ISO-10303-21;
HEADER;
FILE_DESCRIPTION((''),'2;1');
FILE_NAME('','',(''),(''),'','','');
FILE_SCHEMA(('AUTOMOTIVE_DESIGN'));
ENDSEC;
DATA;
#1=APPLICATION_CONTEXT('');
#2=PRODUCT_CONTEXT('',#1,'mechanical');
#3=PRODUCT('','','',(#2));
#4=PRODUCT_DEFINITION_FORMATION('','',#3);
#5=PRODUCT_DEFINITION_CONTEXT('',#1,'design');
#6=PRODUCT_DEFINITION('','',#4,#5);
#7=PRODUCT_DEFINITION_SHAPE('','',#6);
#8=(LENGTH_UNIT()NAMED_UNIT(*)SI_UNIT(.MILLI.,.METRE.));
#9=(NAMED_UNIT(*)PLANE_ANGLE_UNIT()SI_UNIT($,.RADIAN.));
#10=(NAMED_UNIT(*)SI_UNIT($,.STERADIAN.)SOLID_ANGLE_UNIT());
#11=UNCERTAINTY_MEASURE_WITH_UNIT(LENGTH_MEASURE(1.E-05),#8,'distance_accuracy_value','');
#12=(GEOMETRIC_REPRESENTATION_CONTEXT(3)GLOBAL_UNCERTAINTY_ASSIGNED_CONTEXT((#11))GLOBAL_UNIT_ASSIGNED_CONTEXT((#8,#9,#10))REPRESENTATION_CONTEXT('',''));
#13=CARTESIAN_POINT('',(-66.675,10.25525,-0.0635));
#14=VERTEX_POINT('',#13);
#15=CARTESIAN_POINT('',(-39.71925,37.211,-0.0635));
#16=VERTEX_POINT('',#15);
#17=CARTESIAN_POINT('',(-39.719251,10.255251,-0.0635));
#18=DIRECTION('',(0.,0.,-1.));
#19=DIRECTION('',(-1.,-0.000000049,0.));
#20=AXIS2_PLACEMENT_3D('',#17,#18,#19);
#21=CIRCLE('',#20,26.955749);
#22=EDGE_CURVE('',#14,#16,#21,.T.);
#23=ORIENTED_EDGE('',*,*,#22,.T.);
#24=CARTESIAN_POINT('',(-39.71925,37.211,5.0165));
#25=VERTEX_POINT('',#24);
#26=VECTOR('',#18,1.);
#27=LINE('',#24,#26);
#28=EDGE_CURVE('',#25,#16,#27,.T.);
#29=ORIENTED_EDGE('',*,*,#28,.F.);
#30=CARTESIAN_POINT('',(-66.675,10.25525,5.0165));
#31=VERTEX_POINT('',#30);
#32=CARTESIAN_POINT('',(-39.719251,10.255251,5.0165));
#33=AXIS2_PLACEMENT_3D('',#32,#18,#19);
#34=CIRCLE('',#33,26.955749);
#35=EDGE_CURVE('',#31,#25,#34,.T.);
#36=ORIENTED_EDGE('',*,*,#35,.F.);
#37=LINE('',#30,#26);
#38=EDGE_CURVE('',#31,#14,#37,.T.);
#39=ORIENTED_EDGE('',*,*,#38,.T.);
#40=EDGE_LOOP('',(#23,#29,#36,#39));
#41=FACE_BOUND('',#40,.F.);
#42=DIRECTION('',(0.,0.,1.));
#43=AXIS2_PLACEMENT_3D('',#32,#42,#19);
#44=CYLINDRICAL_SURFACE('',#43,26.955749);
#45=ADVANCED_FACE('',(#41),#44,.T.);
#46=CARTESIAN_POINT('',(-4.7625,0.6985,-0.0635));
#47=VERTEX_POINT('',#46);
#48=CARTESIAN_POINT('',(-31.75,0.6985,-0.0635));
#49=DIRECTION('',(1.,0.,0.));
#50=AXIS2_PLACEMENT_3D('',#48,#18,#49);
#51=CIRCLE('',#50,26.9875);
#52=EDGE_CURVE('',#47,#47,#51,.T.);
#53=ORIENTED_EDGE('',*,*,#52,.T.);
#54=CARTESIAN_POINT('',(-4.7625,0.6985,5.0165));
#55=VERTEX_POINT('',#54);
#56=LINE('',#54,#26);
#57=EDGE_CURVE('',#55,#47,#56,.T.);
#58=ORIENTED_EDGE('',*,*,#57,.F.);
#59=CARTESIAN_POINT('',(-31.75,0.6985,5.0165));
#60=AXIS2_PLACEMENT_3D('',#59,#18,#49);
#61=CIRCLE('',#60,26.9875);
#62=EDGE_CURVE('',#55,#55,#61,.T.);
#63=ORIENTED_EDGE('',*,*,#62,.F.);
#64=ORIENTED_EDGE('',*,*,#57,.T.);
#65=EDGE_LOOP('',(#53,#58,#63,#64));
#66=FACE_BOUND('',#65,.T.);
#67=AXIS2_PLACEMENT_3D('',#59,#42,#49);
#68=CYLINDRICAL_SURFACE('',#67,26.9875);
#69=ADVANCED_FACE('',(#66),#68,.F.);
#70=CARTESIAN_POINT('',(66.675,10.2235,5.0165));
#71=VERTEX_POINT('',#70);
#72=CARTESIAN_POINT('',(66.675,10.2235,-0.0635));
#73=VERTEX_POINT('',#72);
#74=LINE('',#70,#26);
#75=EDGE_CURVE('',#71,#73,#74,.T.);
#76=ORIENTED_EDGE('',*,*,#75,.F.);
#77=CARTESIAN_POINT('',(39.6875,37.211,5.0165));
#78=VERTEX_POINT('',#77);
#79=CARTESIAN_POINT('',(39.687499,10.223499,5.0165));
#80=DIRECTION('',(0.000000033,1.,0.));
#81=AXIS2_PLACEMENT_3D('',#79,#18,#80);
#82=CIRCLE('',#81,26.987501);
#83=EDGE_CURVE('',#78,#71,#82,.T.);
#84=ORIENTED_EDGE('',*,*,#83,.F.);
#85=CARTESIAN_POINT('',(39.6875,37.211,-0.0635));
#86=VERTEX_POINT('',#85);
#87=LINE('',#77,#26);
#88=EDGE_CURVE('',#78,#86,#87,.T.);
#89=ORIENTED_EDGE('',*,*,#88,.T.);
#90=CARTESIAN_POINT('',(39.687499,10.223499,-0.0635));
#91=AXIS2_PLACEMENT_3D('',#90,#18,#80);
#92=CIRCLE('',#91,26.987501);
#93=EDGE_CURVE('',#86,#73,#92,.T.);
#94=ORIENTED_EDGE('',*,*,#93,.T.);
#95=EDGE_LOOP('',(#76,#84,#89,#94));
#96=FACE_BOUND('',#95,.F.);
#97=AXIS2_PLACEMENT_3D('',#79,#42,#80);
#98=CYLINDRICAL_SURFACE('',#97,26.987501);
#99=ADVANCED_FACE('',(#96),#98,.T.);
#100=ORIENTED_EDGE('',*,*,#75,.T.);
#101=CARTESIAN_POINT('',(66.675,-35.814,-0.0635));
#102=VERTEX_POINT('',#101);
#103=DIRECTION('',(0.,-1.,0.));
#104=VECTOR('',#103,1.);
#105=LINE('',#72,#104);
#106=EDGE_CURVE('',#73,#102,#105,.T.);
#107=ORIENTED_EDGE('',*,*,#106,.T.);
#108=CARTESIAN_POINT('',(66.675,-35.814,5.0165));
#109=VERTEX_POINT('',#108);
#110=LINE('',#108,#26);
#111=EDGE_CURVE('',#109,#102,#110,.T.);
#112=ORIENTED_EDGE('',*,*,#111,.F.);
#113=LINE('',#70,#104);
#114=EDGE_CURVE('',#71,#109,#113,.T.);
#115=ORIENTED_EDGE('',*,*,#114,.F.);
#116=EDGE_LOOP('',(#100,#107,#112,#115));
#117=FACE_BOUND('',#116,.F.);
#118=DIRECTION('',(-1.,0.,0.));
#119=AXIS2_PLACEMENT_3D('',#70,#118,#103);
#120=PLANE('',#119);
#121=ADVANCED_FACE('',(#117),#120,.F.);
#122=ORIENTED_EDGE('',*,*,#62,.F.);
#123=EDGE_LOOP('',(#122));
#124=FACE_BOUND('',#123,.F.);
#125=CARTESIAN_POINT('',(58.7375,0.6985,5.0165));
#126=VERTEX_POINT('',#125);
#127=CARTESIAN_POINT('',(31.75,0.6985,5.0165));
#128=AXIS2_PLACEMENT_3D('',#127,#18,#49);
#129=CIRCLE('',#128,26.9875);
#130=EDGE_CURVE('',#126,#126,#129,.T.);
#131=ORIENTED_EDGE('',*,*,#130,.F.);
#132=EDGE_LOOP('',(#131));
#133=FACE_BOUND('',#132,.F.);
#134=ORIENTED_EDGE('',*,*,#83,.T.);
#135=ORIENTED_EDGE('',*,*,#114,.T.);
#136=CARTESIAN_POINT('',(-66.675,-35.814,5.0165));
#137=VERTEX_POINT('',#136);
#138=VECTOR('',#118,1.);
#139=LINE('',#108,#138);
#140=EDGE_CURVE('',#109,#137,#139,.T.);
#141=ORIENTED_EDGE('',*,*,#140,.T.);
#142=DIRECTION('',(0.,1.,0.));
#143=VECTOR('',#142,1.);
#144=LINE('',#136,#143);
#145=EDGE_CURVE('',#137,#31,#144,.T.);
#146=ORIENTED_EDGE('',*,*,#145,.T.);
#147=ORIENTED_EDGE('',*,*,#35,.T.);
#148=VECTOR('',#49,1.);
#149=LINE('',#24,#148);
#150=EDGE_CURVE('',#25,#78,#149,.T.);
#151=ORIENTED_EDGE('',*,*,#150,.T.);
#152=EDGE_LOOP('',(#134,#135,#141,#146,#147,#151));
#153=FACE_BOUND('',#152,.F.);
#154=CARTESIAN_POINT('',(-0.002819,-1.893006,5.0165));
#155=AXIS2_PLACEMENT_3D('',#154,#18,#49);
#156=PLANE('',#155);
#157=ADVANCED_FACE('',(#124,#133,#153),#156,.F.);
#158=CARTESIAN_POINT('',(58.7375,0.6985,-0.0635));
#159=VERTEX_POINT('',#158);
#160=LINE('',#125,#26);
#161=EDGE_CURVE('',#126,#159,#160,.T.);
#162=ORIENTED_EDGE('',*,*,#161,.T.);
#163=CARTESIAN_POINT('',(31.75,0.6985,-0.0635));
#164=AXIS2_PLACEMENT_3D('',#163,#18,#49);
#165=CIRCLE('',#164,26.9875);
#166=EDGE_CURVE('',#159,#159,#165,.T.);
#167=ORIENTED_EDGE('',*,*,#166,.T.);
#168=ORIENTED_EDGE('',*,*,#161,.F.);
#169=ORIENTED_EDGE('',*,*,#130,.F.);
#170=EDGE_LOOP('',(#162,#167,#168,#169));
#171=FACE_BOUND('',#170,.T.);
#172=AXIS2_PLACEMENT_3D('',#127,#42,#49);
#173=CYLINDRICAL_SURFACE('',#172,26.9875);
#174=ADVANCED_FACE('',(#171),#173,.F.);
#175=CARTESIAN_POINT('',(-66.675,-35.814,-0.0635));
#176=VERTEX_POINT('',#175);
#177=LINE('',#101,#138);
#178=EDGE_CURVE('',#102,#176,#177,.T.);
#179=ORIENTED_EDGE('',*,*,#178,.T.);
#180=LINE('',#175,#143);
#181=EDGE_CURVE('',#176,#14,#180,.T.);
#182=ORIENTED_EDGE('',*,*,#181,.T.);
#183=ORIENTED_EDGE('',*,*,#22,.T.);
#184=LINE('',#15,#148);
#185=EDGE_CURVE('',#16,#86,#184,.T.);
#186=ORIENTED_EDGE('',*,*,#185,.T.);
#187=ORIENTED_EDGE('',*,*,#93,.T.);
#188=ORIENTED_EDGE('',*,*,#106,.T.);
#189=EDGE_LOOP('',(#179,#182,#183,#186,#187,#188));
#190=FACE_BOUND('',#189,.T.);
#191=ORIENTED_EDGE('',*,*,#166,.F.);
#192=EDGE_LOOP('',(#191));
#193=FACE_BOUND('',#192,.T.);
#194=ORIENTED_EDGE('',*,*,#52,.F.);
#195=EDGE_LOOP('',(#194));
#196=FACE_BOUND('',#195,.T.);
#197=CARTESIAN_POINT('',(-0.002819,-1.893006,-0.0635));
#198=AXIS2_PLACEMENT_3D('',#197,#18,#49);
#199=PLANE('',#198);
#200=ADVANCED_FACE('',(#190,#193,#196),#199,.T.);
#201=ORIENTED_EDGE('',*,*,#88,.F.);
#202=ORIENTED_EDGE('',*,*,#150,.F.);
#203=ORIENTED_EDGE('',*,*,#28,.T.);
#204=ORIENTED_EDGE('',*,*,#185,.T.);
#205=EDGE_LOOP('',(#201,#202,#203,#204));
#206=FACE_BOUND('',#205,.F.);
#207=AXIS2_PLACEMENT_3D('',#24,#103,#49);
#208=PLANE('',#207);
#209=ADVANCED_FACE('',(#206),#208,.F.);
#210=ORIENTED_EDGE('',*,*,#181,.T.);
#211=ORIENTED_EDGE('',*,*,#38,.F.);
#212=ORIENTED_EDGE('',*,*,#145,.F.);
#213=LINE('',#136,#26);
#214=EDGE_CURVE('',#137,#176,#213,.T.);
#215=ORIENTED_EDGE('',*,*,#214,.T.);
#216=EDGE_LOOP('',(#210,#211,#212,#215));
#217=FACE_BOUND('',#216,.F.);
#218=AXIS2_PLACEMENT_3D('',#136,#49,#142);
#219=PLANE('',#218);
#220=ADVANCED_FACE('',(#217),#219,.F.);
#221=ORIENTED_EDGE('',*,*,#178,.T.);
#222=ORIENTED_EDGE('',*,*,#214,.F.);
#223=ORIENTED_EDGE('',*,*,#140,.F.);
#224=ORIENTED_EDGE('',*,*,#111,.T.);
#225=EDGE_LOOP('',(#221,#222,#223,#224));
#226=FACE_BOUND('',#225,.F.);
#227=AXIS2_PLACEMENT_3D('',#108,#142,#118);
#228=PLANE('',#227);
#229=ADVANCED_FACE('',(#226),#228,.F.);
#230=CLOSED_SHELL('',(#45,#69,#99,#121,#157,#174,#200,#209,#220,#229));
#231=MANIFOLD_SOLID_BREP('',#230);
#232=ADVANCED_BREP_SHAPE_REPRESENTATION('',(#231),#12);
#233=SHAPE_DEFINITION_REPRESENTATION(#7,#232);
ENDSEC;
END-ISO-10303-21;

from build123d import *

# Parameters (mm, degrees)
F0_R     = 26.9875
F1_DEPTH = 5.08
F2_ANGLE = 90


with BuildPart() as f1:
    # F0 (on Front) → F1 (new body)
    with BuildSketch(Plane.XZ):
        with BuildLine():
            Line((66.675, 36.5125), (-66.675, 36.5125))
            Line((-66.675, 36.5125), (-66.675, -9.55675))
            ThreePointArc((-66.675, -9.55675), (-58.779844, -28.617344), (-39.71925, -36.5125))
            Line((-39.71925, -36.5125), (39.6875, -36.5125))
            ThreePointArc((39.6875, -36.5125), (58.770544, -28.608044), (66.675, -9.525))
            Line((66.675, -9.525), (66.675, 36.5125))
        make_face()
        with Locations((-31.75, 0)):
            Circle(F0_R, mode=Mode.SUBTRACT)
        with Locations((31.75, 0)):
            Circle(F0_R, mode=Mode.SUBTRACT)
    extrude(amount=F1_DEPTH)


with BuildPart() as f1_1:
    # F2: moved
    add(f1.part.rotate(Axis((0, 0, 36.5125), (1, 0, 0)), F2_ANGLE))


with BuildPart() as f1_2:
    # F3: moved
    add(f1_1.part.moved(Location((0, -35.814, -31.496))))


solid = f1_2.part
